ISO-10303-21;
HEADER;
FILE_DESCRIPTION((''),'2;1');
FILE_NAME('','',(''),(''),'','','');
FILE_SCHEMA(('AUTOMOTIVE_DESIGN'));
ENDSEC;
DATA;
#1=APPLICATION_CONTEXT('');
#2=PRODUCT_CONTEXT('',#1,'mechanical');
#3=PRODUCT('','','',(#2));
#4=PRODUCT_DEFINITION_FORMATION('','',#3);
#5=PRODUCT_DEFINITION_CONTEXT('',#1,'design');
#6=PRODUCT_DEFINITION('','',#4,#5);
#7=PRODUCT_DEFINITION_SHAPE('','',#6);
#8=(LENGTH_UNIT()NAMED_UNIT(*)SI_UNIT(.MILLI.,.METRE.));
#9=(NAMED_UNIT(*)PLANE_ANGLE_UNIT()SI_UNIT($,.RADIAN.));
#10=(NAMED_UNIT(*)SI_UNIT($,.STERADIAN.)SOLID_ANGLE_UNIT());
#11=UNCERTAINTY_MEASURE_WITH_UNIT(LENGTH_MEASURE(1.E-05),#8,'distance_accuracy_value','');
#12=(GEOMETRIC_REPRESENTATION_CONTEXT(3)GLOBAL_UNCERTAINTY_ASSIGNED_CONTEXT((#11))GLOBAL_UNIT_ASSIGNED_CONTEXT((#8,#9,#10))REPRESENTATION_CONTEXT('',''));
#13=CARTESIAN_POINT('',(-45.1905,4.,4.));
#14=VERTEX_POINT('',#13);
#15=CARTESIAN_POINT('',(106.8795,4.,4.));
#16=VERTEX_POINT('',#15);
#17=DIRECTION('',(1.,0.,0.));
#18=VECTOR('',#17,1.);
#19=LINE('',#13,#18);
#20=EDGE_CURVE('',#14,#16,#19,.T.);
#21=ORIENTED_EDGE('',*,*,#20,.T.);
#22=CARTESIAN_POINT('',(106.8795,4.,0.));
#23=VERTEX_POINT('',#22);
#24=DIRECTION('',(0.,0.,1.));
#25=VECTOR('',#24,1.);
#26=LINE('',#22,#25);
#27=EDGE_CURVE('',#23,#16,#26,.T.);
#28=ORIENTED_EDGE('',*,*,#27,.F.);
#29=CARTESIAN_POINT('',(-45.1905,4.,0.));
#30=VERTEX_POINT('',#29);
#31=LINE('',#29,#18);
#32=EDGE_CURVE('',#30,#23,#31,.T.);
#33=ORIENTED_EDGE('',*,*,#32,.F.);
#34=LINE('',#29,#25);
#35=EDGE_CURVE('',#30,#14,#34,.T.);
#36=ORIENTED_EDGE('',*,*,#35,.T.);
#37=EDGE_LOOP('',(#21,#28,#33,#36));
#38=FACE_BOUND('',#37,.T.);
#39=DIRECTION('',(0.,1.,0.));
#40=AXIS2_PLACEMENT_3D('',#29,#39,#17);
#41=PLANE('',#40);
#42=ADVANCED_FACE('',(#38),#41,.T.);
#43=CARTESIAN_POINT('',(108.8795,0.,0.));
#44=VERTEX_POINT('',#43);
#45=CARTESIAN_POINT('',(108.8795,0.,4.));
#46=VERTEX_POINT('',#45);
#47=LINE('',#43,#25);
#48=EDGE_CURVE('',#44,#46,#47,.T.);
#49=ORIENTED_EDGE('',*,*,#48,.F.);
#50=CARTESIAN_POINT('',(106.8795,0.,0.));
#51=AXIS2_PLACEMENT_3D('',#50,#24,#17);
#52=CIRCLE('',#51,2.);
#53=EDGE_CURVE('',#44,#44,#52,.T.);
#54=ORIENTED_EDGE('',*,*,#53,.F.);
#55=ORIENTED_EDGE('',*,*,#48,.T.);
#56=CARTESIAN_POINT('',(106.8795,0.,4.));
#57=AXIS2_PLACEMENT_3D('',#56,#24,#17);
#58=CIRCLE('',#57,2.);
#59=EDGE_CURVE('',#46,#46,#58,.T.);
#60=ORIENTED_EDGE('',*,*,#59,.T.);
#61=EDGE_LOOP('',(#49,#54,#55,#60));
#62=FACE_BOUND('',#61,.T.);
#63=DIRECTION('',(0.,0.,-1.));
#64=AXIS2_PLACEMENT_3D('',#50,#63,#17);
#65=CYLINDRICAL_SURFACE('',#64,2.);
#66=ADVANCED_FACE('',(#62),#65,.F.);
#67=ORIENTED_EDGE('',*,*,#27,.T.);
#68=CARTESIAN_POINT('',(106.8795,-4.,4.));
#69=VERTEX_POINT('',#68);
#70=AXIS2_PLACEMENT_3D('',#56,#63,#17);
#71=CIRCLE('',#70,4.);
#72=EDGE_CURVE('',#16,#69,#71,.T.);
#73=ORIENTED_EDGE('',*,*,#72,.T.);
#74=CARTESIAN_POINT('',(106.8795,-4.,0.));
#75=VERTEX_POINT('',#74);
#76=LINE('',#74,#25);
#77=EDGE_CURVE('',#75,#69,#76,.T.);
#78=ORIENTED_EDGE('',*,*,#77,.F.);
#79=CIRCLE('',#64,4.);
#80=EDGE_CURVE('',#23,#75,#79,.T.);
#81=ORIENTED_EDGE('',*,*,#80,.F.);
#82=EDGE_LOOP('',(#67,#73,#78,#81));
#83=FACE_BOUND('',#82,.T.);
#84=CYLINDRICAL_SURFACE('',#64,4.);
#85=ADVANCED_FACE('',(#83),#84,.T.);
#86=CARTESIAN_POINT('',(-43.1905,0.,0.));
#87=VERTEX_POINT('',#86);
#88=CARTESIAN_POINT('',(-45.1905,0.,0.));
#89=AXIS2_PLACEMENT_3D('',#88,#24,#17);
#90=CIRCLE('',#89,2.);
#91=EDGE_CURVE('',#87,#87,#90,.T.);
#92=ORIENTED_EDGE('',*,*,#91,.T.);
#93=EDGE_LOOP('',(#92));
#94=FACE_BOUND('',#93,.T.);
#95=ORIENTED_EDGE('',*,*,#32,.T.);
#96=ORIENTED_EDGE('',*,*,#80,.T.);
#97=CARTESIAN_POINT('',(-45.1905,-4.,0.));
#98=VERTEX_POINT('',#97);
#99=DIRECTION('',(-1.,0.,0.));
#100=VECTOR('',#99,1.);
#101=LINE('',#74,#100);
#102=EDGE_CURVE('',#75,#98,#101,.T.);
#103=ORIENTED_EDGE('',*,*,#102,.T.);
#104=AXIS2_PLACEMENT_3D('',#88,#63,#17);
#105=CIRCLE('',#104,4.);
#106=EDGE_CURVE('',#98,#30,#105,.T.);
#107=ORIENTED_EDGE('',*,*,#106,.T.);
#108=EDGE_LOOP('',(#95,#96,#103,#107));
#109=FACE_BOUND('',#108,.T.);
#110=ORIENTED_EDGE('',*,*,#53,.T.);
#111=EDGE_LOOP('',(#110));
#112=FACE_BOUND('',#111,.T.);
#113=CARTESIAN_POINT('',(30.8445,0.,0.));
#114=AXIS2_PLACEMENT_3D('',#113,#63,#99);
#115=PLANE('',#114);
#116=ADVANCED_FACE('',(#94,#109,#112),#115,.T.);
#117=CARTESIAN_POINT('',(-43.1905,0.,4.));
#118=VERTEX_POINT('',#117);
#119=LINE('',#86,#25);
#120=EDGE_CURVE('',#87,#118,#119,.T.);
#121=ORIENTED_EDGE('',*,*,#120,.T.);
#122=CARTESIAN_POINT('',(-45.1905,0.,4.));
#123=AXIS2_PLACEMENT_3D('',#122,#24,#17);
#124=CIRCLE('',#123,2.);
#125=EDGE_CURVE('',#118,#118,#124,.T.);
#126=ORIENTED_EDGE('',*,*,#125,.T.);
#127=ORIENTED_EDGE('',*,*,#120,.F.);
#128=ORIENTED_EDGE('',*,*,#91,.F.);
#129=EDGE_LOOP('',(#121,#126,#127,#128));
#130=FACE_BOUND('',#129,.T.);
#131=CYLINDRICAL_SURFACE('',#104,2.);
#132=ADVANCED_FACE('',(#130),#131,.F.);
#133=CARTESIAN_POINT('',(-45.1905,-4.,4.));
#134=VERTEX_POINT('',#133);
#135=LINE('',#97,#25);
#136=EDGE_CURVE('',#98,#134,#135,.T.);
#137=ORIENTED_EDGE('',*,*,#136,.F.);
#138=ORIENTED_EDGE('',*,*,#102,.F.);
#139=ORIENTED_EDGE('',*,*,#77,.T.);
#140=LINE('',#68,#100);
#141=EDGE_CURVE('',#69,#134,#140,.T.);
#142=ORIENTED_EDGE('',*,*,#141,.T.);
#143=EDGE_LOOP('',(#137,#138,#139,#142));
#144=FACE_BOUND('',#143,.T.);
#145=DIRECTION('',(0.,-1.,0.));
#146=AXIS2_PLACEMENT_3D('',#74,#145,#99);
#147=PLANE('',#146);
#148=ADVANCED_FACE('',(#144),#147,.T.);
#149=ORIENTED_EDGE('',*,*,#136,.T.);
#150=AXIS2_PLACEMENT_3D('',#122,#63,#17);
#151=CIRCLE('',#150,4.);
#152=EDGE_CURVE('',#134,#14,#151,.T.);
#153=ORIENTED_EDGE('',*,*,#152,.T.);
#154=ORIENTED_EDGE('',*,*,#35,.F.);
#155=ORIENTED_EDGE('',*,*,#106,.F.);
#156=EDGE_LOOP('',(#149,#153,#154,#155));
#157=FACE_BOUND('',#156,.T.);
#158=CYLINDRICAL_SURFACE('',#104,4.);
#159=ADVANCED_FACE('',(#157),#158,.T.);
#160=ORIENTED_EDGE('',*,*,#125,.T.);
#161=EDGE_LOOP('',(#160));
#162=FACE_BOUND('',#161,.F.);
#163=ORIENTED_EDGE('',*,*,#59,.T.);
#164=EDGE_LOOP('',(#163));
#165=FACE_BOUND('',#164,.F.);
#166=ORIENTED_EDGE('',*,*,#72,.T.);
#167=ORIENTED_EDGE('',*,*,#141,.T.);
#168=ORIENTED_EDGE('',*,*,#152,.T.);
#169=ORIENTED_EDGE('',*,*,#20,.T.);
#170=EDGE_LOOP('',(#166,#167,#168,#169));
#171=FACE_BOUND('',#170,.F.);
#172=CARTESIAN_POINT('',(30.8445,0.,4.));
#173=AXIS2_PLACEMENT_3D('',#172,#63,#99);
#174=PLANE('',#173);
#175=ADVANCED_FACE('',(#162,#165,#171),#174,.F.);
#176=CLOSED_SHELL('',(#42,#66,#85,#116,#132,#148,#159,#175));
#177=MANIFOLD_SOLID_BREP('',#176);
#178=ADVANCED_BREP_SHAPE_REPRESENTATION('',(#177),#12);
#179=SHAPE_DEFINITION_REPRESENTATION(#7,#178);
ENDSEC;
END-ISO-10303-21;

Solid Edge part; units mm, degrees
sketch "Sketch1" plane through (0, 0, 0) normal (0, 0, 1) x (1, 0, 0)
  circle A0 centre (-45.1905, 0) radius 2
  circle A1 centre (106.8795, 0) radius 2
  line L0 (-45.1905, 4) -> (106.8795, 4)
  line L1 (106.8795, -4) -> (-45.1905, -4)
  arc A2 (-45.1905, -4) -> (-45.1905, 4) centre (-45.1905, 0) cw
  arc A3 (106.8795, 4) -> (106.8795, -4) centre (106.8795, 0) cw
extrude "Protrusion1" add sketch "Sketch1" along normal blind 4
